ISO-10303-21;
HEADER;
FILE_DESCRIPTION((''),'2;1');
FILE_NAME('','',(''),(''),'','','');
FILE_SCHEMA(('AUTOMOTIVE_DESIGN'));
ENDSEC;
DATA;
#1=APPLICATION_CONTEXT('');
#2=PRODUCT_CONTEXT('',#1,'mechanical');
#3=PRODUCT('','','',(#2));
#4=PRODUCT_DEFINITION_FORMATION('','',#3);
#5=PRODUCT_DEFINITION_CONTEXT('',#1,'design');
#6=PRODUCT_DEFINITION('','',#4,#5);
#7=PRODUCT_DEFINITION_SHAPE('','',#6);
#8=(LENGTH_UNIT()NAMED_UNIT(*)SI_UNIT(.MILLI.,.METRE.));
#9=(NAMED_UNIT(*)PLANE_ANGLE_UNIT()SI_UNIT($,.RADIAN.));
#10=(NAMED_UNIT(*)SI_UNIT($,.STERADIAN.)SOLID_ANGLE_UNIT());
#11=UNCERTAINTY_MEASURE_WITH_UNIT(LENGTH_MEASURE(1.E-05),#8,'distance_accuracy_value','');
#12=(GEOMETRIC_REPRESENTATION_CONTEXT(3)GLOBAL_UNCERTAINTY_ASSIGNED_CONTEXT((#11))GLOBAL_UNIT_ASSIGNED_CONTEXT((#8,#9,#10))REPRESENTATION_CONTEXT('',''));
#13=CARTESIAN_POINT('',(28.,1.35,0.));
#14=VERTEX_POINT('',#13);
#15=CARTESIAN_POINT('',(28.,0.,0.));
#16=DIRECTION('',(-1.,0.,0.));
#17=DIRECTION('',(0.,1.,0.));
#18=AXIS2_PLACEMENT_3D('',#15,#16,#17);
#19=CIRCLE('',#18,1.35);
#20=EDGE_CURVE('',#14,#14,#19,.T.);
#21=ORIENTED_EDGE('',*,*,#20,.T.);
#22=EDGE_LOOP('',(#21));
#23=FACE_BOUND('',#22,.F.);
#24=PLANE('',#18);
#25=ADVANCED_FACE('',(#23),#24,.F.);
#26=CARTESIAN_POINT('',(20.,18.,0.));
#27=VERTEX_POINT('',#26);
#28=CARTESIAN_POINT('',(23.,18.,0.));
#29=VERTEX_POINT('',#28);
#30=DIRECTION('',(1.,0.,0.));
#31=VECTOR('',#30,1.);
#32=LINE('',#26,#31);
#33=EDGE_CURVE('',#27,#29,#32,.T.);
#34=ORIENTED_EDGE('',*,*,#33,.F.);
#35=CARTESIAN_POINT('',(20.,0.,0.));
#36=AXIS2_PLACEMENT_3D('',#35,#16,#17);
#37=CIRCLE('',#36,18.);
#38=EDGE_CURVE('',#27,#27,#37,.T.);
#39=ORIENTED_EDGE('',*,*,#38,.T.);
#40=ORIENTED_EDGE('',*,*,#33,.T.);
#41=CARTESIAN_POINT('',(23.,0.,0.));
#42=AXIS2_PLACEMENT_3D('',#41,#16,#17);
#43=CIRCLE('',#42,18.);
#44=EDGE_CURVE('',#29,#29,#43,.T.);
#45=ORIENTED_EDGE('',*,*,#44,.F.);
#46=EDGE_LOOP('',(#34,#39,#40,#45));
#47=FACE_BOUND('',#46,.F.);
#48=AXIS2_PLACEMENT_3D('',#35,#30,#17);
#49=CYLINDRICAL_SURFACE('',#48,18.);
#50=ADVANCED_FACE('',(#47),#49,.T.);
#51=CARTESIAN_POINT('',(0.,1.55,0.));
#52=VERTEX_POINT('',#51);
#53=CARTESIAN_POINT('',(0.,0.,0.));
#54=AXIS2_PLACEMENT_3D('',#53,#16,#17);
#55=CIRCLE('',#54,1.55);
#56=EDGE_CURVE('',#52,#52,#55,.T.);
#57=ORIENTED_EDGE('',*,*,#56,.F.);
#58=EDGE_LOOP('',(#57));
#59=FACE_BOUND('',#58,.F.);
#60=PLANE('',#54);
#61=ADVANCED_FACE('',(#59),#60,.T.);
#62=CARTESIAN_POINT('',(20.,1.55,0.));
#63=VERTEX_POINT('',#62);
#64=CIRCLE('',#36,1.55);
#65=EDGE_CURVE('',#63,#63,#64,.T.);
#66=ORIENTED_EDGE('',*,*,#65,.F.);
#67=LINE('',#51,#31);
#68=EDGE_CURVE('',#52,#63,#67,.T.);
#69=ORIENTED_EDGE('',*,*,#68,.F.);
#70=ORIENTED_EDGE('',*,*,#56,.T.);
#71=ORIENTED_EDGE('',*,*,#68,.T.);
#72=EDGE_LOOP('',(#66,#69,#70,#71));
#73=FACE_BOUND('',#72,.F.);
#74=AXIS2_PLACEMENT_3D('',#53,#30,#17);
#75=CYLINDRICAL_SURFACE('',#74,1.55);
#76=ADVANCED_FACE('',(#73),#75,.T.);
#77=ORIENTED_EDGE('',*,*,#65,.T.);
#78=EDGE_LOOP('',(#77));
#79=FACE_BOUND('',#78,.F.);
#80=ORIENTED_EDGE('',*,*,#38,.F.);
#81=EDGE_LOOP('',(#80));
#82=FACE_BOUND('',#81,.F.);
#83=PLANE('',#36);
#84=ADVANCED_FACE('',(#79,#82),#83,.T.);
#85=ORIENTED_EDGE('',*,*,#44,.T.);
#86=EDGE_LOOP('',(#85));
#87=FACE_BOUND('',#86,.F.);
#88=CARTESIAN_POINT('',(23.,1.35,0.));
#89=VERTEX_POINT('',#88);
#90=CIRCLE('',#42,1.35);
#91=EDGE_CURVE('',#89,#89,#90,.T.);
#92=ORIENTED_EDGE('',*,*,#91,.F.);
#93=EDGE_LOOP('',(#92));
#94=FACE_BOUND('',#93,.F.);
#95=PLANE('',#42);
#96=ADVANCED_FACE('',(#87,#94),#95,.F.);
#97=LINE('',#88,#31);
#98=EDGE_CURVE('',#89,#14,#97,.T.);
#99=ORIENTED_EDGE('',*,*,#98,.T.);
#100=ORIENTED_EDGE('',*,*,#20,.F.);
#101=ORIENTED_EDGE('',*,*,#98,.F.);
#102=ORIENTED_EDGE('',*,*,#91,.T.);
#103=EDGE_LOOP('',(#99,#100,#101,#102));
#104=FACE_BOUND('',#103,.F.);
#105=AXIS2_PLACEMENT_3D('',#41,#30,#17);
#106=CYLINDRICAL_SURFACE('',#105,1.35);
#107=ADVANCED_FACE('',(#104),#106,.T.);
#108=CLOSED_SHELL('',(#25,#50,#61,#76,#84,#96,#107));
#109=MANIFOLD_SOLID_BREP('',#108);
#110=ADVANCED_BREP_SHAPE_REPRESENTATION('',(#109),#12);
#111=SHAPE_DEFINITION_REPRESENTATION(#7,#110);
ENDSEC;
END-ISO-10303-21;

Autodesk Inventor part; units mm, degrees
ref_plane "YZ Plane" through (0, 0, 0) normal (1, 0, 0) x (0, 1, 0)
ref_plane "XZ Plane" through (0, 0, 0) normal (0, 1, 0) x (-1, 0, 0)
ref_plane "XY Plane" through (0, 0, 0) normal (0, 0, 1) x (1, 0, 0)
sketch "Sketch2" plane through (0, 0, 0) normal (0, 0, 1) x (1, 0, 0)
  line L0 (0, 0) -> (0, 1.55)
  line L1 (0, 1.55) -> (20, 1.55)
  line L2 (20, 1.55) -> (20, 18)
  line L3 (20, 18) -> (23, 18)
  line L4 (23, 18) -> (23, 1.35)
  line L5 (23, 1.35) -> (28, 1.35)
  line L6 (28, 1.35) -> (28, 0)
  line L7 (28, 0) -> (0, 0)
  dimension "d3" = 1.55
  dimension "d4" = 20
  dimension "d5" = 3
  dimension "d6" = 5
  dimension "d7" = 1.35
  dimension "d8" = 18
revolve "Revolution1" add sketch "Sketch2" angle 360 about axis through (28, 0, 0) along (-1, 0, 0)
properties part number "Seal3Dprint"
